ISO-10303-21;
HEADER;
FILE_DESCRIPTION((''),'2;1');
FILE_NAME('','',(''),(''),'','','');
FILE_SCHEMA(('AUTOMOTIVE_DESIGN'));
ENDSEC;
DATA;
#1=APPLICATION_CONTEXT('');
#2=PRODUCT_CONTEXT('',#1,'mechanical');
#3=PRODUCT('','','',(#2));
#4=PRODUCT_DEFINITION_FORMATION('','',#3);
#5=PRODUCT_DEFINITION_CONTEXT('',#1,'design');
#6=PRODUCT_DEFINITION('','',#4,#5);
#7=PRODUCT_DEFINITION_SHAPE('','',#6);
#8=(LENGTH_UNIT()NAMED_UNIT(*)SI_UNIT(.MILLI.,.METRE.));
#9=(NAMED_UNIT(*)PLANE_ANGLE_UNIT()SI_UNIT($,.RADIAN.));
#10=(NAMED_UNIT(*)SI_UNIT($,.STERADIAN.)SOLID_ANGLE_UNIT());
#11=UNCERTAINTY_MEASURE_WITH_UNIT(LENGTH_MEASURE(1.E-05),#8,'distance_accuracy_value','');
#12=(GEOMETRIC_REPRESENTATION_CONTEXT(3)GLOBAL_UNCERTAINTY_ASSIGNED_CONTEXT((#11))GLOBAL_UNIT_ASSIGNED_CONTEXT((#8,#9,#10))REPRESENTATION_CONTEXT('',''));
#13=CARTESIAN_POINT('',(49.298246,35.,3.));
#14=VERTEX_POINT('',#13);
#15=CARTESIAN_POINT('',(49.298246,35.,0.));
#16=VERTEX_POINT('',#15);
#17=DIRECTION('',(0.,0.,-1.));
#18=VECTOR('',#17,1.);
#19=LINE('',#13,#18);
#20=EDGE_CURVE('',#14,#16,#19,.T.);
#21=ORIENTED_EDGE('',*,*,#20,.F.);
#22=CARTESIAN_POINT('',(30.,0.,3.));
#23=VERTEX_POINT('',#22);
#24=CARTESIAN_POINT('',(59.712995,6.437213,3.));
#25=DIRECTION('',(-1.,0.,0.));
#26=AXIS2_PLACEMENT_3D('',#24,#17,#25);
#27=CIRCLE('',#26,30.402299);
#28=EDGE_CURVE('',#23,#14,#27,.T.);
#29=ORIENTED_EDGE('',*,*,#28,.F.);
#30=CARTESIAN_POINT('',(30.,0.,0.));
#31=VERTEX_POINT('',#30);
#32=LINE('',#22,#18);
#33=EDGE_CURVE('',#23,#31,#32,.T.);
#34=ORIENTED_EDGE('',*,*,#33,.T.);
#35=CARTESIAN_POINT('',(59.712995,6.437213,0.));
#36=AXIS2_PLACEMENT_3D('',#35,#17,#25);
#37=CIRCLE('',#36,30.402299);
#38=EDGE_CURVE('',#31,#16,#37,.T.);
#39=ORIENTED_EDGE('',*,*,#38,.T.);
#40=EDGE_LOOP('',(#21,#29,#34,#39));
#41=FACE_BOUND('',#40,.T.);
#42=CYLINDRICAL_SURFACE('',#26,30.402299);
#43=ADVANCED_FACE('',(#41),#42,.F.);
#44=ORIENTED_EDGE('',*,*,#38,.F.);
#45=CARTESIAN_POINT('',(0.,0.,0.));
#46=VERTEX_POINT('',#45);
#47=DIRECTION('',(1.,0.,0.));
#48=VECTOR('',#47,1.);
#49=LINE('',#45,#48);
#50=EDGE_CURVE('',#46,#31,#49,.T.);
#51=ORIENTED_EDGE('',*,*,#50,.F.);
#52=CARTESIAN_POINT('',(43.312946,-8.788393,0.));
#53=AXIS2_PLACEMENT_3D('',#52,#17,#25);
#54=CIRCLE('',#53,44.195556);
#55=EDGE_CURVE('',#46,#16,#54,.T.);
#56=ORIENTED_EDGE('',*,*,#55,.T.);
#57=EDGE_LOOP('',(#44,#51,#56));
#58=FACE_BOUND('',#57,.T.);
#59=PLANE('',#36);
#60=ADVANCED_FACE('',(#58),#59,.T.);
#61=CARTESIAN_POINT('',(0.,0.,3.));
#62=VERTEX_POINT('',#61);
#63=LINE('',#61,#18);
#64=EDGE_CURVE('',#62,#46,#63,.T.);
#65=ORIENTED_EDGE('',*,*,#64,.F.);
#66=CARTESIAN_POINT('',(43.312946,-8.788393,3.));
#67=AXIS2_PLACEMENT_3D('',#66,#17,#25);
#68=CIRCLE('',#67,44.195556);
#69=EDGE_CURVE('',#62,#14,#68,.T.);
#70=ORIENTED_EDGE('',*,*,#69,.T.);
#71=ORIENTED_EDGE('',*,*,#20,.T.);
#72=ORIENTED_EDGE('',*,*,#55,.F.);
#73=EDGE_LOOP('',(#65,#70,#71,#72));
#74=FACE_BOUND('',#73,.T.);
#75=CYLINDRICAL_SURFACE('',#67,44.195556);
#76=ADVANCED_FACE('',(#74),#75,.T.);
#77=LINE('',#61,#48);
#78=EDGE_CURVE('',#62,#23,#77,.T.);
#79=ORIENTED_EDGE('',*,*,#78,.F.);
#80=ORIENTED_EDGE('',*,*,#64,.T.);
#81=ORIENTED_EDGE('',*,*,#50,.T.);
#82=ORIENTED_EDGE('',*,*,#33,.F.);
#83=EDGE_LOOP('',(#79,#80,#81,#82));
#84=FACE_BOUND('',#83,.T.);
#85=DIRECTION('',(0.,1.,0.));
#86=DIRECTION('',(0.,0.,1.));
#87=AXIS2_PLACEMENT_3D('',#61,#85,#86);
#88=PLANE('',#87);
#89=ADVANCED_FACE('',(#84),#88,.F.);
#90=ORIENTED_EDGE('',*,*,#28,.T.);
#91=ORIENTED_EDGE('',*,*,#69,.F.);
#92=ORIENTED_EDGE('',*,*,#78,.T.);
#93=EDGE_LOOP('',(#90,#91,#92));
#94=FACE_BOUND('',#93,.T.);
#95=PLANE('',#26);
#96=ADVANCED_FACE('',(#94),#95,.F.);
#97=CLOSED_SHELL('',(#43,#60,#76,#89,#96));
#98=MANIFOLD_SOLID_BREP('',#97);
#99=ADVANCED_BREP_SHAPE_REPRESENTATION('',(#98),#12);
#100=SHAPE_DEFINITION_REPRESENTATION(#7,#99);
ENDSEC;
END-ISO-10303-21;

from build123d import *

# Parameters (mm, degrees)
BOSS_EXTRUDE1_DEPTH = 3


with BuildPart() as part:
    # Sketch1 → Boss-Extrude1 (new body)
    with BuildSketch(Plane.XY):
        with BuildLine():
            Line((0, 0), (30, 0))
            ThreePointArc((30, 0), (33.089528508, 21.116818912), (49.298245614, 35))
            ThreePointArc((49.298245614, 35), (17.728022823, 27.248516769), (0, 0))
        make_face()
    extrude(amount=BOSS_EXTRUDE1_DEPTH)


solid = part.part
